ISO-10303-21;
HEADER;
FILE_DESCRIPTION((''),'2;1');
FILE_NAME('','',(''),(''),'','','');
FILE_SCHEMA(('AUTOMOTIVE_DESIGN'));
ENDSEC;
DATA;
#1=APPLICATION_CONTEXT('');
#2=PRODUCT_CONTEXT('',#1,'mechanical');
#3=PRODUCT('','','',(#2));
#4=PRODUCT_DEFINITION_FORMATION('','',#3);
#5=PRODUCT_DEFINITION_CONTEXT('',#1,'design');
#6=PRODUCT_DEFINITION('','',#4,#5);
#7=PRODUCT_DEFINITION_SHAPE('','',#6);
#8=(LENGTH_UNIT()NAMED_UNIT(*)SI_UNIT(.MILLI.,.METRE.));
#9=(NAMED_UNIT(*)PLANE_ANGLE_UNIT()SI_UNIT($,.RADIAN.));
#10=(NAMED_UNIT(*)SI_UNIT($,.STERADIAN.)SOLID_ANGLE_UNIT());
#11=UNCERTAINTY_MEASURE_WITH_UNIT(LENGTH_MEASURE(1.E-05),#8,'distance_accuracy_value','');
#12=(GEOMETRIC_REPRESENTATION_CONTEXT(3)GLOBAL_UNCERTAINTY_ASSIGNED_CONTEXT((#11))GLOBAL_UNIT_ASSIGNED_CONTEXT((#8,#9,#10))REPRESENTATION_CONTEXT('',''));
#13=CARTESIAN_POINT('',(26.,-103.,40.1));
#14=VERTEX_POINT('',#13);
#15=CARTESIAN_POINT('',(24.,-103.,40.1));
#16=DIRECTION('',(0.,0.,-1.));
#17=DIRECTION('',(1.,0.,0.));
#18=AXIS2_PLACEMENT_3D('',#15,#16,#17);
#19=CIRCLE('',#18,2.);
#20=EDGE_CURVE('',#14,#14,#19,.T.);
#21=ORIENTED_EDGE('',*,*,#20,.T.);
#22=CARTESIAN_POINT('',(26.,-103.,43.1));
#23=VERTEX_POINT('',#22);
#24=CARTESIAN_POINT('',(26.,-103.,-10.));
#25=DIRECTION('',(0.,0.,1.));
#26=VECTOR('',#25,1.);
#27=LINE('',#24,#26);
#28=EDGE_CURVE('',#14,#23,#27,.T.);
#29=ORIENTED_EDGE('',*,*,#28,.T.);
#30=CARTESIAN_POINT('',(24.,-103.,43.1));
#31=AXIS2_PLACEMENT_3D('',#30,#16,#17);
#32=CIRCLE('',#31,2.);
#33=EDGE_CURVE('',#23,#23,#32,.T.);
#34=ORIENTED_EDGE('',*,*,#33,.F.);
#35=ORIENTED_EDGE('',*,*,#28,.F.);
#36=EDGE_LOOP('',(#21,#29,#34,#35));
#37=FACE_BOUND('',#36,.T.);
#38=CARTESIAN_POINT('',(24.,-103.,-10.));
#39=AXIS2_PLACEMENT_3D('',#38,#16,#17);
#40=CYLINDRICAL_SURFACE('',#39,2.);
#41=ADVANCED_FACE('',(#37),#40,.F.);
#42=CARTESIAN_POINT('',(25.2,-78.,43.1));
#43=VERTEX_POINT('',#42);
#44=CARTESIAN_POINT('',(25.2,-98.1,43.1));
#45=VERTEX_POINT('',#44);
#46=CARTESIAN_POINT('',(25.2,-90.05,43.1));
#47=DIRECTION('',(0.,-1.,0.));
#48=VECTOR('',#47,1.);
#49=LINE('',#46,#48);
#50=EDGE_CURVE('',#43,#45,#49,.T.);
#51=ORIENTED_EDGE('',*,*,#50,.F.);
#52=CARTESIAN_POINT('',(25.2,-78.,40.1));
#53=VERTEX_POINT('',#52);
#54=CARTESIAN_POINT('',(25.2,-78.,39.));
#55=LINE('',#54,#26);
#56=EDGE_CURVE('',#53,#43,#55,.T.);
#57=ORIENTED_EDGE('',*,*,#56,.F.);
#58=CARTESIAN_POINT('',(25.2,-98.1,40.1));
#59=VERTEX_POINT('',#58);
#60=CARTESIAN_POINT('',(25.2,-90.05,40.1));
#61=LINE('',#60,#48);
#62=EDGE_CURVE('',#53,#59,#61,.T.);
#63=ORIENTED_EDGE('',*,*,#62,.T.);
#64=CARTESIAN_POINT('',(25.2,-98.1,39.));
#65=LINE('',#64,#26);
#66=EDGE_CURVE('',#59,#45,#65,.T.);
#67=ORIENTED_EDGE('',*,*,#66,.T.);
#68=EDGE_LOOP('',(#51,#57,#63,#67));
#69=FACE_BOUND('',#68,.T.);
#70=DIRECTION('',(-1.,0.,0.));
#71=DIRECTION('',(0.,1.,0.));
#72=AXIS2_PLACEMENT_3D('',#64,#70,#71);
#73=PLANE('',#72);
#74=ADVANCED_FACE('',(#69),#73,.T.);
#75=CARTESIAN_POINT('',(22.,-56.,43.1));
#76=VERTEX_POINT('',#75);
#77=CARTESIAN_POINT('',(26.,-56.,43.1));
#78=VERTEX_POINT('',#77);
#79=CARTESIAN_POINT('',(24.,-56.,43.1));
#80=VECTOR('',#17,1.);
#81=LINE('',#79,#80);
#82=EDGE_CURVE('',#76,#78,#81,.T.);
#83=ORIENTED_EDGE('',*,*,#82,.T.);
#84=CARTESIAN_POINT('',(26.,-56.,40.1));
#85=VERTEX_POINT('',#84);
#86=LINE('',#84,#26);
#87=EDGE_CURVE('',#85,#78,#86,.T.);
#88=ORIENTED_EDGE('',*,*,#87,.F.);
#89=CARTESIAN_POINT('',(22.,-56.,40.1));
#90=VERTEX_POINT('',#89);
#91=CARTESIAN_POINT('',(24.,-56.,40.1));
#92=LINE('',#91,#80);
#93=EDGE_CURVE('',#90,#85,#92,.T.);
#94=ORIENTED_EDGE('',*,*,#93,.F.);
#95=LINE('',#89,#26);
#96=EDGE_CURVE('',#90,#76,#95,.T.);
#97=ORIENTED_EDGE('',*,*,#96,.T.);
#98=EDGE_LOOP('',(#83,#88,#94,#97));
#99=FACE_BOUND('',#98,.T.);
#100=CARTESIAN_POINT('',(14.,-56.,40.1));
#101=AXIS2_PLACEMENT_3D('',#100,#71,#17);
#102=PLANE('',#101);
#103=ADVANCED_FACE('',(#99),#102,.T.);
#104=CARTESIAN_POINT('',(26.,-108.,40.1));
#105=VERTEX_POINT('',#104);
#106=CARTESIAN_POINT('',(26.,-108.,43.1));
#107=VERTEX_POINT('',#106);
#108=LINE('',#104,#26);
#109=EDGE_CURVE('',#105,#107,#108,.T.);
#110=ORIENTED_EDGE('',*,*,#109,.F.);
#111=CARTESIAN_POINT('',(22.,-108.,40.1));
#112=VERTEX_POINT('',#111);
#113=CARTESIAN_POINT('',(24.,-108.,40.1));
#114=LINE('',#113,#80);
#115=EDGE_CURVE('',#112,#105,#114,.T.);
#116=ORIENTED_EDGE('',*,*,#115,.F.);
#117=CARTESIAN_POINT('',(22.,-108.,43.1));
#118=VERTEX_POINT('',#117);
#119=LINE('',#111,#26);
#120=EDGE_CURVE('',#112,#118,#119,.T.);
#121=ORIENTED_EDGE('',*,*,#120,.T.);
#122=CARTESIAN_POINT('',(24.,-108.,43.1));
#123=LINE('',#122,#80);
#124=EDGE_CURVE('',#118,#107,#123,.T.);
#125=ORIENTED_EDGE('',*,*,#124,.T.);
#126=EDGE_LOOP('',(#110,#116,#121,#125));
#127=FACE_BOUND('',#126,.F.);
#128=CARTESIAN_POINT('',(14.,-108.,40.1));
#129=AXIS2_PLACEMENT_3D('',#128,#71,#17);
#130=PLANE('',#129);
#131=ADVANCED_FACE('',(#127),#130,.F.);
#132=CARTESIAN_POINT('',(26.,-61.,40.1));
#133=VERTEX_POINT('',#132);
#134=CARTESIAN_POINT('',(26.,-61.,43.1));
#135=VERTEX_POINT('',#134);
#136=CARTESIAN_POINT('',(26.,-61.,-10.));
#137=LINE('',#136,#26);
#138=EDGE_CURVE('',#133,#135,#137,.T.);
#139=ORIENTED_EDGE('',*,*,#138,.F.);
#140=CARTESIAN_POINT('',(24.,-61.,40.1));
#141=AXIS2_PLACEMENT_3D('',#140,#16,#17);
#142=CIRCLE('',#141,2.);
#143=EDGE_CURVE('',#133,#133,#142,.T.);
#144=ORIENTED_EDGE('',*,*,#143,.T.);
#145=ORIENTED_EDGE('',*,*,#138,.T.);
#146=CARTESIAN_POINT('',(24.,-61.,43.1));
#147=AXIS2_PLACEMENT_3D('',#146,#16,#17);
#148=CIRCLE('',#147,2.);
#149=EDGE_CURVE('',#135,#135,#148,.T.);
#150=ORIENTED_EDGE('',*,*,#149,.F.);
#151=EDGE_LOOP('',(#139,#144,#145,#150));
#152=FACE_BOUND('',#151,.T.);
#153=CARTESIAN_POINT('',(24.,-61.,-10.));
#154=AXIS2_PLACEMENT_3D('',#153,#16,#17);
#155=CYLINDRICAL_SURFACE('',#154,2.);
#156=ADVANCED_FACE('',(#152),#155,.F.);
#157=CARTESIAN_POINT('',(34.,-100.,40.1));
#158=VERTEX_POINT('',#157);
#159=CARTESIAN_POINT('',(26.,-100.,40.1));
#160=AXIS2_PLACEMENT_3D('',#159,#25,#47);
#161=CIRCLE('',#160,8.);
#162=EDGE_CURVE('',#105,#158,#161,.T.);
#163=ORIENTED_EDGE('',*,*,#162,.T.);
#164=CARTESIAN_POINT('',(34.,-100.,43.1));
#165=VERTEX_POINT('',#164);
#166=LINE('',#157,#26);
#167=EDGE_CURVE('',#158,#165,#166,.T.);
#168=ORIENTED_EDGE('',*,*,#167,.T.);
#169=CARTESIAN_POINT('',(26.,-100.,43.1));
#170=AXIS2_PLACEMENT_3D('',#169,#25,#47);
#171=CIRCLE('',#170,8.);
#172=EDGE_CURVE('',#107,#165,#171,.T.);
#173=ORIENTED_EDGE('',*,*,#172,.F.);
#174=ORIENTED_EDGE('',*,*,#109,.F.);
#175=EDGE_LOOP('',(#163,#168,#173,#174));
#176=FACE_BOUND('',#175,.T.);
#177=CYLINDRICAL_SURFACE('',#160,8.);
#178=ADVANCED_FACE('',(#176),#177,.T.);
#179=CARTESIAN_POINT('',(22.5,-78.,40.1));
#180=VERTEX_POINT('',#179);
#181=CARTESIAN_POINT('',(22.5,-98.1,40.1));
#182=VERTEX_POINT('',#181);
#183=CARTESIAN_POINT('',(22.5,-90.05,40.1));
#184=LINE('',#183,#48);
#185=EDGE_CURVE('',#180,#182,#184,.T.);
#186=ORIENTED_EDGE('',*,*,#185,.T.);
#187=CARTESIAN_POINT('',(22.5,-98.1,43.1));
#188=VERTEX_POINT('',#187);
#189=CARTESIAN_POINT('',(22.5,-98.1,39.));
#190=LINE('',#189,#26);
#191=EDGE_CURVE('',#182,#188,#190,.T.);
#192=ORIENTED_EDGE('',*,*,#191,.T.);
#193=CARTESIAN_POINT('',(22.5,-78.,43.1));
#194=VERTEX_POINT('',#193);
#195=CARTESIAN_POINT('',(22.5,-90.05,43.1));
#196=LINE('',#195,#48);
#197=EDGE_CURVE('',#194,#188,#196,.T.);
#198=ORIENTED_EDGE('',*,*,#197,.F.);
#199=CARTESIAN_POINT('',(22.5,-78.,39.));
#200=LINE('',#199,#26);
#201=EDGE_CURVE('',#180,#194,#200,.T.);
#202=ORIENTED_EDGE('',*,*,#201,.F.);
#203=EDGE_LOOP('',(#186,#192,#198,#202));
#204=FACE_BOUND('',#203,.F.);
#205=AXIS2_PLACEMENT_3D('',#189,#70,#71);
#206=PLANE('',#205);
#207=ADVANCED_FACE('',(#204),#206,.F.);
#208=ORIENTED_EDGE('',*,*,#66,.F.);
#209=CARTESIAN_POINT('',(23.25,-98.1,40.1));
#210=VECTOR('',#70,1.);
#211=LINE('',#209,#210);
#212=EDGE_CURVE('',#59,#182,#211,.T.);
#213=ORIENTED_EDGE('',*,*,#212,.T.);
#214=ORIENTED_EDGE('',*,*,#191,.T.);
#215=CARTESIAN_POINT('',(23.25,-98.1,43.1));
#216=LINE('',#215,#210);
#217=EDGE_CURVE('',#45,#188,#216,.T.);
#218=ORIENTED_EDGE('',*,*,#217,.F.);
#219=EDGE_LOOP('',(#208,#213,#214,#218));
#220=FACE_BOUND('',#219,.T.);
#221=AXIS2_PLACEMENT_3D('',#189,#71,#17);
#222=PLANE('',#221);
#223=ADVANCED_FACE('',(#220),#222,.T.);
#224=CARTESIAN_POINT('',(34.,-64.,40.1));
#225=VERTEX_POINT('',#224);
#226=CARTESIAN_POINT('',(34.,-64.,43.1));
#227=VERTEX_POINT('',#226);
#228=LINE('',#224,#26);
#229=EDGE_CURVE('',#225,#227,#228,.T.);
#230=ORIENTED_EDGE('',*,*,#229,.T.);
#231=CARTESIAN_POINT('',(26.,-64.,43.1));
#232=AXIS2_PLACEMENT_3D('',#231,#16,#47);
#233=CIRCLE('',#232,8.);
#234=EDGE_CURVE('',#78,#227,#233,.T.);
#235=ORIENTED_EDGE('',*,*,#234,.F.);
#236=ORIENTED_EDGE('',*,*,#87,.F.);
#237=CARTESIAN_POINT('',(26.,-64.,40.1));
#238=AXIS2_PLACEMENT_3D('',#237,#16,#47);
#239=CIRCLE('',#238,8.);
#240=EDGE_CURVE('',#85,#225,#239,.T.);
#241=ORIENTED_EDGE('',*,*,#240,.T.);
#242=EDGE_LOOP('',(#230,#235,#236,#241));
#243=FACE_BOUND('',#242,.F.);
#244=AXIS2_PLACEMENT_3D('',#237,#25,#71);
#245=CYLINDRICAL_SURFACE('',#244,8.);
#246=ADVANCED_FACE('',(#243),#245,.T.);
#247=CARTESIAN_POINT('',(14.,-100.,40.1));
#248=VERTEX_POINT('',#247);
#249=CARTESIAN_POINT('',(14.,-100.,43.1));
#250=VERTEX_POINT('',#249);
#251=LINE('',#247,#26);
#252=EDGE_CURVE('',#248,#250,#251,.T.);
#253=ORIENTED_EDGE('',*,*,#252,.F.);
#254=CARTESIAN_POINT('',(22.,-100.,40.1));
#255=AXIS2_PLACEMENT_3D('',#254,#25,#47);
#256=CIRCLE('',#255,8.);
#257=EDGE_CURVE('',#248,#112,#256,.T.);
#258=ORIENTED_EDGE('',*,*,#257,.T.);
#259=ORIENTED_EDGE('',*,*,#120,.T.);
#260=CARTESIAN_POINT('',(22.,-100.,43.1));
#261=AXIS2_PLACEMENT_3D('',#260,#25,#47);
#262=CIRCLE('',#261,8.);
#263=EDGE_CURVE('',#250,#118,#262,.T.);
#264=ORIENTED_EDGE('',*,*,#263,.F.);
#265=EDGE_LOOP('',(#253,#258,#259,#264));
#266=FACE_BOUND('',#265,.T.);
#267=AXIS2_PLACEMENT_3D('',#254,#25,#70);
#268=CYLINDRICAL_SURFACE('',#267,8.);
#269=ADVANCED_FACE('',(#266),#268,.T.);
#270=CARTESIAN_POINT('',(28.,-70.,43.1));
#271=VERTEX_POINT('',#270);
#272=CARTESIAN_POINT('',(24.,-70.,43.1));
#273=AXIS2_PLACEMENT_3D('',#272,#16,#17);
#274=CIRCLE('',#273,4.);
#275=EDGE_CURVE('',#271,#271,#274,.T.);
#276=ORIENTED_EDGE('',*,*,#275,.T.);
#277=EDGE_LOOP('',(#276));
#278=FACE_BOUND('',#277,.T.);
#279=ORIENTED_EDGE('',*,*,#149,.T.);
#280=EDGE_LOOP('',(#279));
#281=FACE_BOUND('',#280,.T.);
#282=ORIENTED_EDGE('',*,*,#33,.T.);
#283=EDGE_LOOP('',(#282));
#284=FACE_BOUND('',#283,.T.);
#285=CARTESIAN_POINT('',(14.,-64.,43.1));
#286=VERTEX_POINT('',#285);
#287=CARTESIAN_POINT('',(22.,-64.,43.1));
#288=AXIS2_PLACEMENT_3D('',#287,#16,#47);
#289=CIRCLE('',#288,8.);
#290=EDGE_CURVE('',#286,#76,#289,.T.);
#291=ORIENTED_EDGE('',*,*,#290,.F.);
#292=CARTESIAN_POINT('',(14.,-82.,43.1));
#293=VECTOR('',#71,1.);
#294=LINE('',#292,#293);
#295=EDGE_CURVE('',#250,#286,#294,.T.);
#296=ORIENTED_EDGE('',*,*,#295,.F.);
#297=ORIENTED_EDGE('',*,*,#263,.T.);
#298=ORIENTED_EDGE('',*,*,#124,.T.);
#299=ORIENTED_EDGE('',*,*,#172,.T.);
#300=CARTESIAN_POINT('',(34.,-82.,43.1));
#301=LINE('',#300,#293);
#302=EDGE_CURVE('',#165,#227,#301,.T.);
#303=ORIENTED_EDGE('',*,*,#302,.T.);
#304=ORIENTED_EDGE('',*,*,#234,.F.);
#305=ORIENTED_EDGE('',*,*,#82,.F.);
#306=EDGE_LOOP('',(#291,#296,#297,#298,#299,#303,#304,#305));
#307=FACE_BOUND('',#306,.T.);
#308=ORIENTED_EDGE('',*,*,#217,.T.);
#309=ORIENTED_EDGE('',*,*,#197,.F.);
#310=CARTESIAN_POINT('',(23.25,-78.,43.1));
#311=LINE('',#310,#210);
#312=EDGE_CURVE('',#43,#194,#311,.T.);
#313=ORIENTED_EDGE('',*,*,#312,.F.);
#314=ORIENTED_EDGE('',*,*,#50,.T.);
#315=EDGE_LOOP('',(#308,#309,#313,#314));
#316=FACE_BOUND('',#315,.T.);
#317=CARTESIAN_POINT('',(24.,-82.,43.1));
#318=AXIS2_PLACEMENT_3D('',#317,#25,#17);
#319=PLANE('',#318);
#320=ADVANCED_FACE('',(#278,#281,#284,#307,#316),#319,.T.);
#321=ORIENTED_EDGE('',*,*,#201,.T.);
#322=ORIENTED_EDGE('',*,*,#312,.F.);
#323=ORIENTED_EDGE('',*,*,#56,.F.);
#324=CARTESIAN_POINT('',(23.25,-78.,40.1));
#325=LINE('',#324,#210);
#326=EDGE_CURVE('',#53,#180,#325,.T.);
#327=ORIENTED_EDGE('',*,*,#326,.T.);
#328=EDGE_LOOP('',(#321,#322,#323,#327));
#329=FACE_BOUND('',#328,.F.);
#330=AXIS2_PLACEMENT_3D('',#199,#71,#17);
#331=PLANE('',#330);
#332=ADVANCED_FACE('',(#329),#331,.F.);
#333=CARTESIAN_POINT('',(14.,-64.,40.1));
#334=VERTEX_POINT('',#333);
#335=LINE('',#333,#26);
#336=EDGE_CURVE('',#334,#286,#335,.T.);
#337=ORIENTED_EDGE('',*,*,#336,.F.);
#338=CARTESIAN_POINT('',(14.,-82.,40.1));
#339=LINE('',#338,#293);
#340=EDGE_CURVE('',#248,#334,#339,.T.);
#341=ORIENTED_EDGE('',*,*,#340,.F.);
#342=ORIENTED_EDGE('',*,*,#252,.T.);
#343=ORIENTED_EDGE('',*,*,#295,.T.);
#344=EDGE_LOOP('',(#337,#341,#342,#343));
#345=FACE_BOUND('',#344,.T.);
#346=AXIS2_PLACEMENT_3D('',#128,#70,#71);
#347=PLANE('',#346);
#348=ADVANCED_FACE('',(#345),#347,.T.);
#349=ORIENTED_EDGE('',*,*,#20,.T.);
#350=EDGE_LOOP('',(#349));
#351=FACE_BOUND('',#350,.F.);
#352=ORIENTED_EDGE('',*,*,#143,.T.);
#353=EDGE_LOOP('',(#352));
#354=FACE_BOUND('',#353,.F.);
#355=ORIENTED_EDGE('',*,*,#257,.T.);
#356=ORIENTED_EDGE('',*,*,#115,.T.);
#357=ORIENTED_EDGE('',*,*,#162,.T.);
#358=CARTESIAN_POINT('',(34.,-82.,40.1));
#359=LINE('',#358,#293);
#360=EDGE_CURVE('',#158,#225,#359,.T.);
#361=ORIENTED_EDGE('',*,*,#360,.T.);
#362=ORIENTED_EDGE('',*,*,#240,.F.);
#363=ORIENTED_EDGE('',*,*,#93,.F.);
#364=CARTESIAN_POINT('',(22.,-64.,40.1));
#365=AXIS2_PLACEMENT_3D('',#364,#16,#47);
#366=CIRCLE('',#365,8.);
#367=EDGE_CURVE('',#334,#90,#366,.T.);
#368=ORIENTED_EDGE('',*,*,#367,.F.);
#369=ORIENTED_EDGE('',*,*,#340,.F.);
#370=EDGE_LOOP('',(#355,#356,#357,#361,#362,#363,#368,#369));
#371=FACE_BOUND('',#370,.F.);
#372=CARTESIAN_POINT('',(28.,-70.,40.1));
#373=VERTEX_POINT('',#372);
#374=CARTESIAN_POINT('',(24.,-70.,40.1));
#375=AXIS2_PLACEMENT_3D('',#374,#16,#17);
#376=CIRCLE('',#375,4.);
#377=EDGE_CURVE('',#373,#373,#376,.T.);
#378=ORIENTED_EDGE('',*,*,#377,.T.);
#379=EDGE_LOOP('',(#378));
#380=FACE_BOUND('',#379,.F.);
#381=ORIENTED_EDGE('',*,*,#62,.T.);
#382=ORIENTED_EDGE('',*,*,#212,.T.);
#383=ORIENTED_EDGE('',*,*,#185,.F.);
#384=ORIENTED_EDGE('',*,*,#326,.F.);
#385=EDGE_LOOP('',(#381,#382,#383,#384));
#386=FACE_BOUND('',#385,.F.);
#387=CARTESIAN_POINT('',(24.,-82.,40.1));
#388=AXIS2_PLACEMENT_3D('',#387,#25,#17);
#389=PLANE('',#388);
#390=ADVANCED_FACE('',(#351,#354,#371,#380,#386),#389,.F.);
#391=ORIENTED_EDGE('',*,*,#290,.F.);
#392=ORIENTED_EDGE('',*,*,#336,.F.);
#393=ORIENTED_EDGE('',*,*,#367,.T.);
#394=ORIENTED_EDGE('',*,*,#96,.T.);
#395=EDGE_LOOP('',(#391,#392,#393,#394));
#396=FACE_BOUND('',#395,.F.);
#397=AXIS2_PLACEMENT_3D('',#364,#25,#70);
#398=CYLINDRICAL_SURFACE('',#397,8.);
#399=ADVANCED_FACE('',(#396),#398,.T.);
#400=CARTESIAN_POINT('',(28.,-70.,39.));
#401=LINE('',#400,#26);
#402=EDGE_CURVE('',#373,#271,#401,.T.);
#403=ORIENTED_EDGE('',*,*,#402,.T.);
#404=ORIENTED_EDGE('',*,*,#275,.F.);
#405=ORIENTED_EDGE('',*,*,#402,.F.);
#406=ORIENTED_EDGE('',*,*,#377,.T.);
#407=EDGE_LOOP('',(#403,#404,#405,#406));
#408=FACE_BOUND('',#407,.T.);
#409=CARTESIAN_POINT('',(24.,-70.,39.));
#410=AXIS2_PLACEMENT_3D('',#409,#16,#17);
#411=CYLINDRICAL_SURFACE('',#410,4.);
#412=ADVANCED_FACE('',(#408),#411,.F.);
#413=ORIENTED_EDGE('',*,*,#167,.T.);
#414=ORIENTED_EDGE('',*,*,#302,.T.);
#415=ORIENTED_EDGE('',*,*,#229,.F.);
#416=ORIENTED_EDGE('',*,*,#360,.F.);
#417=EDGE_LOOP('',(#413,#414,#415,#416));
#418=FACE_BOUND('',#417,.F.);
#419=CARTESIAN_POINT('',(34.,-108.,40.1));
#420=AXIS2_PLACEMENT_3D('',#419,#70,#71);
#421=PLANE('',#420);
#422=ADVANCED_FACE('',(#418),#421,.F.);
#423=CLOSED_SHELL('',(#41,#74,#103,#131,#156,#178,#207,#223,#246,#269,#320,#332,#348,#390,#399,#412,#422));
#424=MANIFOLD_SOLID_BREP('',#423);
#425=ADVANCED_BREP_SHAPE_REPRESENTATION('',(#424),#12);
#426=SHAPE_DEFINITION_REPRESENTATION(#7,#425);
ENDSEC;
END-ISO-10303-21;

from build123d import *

# Parameters (mm, degrees)
CYLINDER372_R     = 2
CYLINDER372_DEPTH = 70
CYLINDER373_R     = 2
CYLINDER373_DEPTH = 70
CYLINDER369_R     = 4
CYLINDER369_DEPTH = 5
BOX463_W          = 2.7
BOX463_H          = 20.1
BOX463_DEPTH      = 5
BOX459_W          = 20
BOX459_H          = 52
BOX459_DEPTH      = 3
FILLET016_R       = 8


with BuildPart() as cylinder372:
    # Cylinder372 → Cylinder372 (new body)
    with BuildSketch(Plane(origin=(-90, -103, -10), x_dir=(1, 0, 0), z_dir=(0, 0, 1))):
        Circle(CYLINDER372_R)
    extrude(amount=CYLINDER372_DEPTH)


with BuildPart() as fusion369:
    # Cylinder373 → Cylinder373 (new body)
    with BuildSketch(Plane(origin=(-90, -61, -10), x_dir=(1, 0, 0), z_dir=(0, 0, 1))):
        Circle(CYLINDER373_R)
    extrude(amount=CYLINDER373_DEPTH)

    # Fusion369: union Cylinder372
    add(cylinder372.part)


with BuildPart() as fusion369_1:
    # Fusion369 placement: moved
    add(fusion369.part.moved(Location((114, 0, 0))))


with BuildPart() as cylinder369:
    # Cylinder369 → Cylinder369 (new body)
    with BuildSketch(Plane(origin=(24, -70, 39), x_dir=(1, 0, 0), z_dir=(0, 0, 1))):
        Circle(CYLINDER369_R)
    extrude(amount=CYLINDER369_DEPTH)


with BuildPart() as box463:
    # Box463 → Box463 (new body)
    with BuildSketch(Plane(origin=(22.5, -98.1, 39), x_dir=(1, 0, 0), z_dir=(0, 0, 1))):
        with Locations((1.35, 10.05)):
            Rectangle(BOX463_W, BOX463_H)
    extrude(amount=BOX463_DEPTH)


with BuildPart() as cut402:
    # Box459 → Box459 (new body)
    with BuildSketch(Plane(origin=(14, -108, 40.1), x_dir=(1, 0, 0), z_dir=(0, 0, 1))):
        with Locations((10, 26)):
            Rectangle(BOX459_W, BOX459_H)
    extrude(amount=BOX459_DEPTH)

    # Cut397: cut Box463
    add(box463.part, mode=Mode.SUBTRACT)

    # Fillet016
    fillet016_edges = [cut402.edges().sort_by_distance(p)[0] for p in [
        (14, -108, 41.6),
        (14, -56, 41.6),
        (34, -108, 41.6),
        (34, -56, 41.6),
    ]]
    fillet(fillet016_edges, radius=FILLET016_R)

    # Cut400: cut Cylinder369
    add(cylinder369.part, mode=Mode.SUBTRACT)

    # Cut402: cut Fusion369
    add(fusion369_1.part, mode=Mode.SUBTRACT)


solid = cut402.part
